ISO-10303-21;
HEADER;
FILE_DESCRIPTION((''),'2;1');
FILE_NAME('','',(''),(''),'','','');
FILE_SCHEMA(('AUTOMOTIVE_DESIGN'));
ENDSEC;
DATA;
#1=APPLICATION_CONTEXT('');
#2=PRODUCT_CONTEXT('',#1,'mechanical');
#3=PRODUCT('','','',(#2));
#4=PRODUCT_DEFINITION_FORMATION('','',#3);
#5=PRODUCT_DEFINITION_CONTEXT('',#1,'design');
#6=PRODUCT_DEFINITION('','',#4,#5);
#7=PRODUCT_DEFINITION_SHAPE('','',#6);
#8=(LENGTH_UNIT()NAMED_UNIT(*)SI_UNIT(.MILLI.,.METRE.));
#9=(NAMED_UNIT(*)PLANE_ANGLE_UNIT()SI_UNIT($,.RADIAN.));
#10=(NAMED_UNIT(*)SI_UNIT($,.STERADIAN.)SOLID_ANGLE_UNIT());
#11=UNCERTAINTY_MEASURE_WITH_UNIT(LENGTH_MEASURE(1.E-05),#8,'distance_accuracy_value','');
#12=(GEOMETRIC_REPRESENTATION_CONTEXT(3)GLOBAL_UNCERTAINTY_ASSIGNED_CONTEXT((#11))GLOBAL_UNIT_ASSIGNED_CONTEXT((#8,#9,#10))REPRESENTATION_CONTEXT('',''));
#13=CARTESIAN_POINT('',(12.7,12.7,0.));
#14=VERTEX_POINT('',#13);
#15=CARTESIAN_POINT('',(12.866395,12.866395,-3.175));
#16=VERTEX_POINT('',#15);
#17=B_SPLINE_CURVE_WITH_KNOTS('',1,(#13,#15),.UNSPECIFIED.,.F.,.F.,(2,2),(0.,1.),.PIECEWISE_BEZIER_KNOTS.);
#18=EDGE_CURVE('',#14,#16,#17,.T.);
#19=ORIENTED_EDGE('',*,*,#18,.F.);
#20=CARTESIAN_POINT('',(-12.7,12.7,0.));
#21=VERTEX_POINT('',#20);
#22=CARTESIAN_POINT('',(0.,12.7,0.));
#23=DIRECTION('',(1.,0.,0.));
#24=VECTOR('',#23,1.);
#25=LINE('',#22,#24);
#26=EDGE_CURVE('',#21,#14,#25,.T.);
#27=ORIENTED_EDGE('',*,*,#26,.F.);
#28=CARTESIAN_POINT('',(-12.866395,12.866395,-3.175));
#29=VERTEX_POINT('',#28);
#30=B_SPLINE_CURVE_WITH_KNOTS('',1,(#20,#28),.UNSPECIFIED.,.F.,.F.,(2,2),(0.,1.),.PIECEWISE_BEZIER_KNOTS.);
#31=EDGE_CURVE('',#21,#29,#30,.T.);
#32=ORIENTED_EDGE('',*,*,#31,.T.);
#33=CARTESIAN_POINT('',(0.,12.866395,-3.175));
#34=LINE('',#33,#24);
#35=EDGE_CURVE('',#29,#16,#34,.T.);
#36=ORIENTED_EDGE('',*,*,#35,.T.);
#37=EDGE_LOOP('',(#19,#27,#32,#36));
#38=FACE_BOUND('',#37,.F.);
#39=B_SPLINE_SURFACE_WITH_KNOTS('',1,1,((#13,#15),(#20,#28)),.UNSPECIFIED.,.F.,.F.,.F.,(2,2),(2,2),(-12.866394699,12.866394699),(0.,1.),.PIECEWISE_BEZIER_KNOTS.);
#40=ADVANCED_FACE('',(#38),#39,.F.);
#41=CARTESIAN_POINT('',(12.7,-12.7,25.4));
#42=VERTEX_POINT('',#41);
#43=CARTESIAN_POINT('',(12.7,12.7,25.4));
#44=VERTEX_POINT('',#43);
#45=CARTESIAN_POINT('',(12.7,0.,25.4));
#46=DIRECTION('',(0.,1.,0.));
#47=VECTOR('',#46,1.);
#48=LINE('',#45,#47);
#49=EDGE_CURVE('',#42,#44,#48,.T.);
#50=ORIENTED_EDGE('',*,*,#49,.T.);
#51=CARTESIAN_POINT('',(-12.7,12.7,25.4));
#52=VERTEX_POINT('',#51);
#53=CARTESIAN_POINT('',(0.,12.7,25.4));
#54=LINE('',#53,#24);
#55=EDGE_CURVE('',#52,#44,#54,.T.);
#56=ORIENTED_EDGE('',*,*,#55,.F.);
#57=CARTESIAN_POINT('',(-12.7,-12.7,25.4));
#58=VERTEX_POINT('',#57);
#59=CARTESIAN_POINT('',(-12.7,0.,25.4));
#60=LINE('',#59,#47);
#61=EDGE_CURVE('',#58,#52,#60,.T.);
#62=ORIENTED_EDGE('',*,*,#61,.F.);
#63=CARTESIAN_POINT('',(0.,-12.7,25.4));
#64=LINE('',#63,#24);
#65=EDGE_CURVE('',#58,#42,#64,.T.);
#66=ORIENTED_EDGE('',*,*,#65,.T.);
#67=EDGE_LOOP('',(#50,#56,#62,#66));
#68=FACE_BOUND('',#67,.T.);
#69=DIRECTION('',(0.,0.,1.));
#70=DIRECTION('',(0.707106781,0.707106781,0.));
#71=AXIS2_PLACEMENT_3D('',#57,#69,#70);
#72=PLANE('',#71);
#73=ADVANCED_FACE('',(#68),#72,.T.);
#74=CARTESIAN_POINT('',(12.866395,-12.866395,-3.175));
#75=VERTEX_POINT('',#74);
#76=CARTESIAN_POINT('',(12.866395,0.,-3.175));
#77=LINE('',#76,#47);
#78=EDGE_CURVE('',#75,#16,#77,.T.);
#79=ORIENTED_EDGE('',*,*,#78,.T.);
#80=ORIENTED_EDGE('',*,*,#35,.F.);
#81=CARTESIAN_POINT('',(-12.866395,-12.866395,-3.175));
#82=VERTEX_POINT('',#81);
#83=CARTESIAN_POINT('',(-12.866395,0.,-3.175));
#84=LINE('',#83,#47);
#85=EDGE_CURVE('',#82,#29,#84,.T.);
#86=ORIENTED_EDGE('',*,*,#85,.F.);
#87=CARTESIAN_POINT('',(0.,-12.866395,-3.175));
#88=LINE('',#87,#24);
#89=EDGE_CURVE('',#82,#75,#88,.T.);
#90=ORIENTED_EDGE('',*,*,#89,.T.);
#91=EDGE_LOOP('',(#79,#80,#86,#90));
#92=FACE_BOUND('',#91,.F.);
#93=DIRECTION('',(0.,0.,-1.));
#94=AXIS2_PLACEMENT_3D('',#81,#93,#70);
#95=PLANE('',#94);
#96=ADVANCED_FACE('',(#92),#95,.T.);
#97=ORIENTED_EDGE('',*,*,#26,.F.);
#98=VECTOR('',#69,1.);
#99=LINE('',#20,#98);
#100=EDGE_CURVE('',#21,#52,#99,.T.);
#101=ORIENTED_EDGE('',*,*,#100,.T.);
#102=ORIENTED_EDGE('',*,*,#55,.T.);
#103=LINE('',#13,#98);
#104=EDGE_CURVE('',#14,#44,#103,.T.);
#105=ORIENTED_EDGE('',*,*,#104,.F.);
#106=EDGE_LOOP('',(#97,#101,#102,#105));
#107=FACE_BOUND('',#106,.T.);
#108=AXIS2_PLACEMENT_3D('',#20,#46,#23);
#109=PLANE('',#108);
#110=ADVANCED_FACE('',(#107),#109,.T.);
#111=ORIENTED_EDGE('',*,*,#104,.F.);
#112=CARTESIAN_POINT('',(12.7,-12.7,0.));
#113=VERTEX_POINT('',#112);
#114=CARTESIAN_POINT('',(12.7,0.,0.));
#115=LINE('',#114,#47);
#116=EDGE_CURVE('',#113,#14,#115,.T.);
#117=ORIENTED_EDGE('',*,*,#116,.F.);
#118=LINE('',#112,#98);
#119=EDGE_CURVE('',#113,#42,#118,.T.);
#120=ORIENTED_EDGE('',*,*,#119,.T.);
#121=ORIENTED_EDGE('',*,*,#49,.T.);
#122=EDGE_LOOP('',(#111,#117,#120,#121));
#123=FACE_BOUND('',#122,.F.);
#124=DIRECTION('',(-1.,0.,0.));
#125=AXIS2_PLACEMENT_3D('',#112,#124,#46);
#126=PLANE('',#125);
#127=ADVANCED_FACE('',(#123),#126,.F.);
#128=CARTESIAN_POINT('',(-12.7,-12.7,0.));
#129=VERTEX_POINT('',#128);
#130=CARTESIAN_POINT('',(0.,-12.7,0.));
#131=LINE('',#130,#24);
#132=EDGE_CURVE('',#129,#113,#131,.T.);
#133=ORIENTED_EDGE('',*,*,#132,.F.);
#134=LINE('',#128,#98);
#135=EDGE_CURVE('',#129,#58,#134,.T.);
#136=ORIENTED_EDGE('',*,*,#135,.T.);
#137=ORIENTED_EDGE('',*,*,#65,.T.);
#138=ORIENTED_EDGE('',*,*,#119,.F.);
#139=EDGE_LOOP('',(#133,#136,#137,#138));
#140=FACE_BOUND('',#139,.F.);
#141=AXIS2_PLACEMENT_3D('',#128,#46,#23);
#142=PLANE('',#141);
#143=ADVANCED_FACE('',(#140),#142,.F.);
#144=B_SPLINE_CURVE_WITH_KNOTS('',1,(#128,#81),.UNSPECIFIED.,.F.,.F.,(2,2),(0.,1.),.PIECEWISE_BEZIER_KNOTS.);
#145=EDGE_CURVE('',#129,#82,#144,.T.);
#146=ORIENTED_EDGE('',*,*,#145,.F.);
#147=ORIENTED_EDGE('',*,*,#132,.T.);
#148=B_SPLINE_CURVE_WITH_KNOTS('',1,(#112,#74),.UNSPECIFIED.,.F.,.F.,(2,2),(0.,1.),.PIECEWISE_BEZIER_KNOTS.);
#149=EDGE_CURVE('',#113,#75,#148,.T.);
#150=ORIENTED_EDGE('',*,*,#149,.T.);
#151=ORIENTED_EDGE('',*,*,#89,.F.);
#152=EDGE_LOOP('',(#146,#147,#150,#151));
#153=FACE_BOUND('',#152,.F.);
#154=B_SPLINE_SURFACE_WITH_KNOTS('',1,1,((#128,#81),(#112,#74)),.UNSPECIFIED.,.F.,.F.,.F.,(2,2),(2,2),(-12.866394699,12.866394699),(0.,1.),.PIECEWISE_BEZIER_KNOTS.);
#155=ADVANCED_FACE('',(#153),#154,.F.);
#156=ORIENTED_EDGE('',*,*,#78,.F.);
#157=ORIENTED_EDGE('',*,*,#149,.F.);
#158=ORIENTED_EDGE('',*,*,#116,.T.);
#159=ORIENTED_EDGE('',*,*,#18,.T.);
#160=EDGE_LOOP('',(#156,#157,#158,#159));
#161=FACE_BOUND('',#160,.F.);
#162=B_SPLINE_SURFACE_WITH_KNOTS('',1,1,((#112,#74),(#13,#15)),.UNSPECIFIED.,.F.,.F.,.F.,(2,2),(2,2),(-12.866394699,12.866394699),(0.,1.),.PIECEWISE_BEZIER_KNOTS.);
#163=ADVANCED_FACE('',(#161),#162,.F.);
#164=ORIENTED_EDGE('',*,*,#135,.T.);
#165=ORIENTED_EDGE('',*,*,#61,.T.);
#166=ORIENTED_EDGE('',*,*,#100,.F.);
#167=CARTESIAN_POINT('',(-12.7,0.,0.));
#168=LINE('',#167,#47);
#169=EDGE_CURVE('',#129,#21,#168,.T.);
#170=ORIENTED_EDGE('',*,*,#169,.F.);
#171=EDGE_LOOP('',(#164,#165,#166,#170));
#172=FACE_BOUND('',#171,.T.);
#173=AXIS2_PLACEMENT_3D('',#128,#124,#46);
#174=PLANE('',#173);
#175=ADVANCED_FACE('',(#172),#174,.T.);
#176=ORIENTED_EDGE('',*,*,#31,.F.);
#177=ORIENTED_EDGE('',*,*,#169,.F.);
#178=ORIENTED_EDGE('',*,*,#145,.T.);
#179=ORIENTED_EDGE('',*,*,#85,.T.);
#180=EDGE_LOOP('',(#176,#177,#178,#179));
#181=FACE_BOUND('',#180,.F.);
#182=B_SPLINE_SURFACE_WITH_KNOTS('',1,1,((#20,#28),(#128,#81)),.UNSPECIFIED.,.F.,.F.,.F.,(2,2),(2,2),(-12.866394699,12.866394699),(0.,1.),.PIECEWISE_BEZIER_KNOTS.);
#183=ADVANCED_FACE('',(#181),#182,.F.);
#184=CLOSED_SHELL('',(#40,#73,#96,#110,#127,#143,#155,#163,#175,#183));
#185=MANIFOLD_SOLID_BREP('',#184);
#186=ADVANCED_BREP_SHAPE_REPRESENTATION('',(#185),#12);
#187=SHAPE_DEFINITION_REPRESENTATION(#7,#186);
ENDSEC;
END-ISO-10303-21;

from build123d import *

# Parameters (mm, degrees)
F0_W     = 25.4
F0_H     = 25.4
F1_DEPTH = 3.175
F1_TAPER = -3
F2_DEPTH = 25.4


with BuildPart() as f1:
    # F0 (on Top) → F1 (new body)
    with BuildSketch(Plane.XY):
        Rectangle(F0_W, F0_H)
    extrude(amount=-F1_DEPTH, taper=F1_TAPER)

    # F2 (add): a face of the model
    f2_faces = [f1.faces().sort_by_distance(p)[0] for p in [
        (0, 0, 0),
    ]]
    extrude(f2_faces, amount=F2_DEPTH)


solid = f1.part
